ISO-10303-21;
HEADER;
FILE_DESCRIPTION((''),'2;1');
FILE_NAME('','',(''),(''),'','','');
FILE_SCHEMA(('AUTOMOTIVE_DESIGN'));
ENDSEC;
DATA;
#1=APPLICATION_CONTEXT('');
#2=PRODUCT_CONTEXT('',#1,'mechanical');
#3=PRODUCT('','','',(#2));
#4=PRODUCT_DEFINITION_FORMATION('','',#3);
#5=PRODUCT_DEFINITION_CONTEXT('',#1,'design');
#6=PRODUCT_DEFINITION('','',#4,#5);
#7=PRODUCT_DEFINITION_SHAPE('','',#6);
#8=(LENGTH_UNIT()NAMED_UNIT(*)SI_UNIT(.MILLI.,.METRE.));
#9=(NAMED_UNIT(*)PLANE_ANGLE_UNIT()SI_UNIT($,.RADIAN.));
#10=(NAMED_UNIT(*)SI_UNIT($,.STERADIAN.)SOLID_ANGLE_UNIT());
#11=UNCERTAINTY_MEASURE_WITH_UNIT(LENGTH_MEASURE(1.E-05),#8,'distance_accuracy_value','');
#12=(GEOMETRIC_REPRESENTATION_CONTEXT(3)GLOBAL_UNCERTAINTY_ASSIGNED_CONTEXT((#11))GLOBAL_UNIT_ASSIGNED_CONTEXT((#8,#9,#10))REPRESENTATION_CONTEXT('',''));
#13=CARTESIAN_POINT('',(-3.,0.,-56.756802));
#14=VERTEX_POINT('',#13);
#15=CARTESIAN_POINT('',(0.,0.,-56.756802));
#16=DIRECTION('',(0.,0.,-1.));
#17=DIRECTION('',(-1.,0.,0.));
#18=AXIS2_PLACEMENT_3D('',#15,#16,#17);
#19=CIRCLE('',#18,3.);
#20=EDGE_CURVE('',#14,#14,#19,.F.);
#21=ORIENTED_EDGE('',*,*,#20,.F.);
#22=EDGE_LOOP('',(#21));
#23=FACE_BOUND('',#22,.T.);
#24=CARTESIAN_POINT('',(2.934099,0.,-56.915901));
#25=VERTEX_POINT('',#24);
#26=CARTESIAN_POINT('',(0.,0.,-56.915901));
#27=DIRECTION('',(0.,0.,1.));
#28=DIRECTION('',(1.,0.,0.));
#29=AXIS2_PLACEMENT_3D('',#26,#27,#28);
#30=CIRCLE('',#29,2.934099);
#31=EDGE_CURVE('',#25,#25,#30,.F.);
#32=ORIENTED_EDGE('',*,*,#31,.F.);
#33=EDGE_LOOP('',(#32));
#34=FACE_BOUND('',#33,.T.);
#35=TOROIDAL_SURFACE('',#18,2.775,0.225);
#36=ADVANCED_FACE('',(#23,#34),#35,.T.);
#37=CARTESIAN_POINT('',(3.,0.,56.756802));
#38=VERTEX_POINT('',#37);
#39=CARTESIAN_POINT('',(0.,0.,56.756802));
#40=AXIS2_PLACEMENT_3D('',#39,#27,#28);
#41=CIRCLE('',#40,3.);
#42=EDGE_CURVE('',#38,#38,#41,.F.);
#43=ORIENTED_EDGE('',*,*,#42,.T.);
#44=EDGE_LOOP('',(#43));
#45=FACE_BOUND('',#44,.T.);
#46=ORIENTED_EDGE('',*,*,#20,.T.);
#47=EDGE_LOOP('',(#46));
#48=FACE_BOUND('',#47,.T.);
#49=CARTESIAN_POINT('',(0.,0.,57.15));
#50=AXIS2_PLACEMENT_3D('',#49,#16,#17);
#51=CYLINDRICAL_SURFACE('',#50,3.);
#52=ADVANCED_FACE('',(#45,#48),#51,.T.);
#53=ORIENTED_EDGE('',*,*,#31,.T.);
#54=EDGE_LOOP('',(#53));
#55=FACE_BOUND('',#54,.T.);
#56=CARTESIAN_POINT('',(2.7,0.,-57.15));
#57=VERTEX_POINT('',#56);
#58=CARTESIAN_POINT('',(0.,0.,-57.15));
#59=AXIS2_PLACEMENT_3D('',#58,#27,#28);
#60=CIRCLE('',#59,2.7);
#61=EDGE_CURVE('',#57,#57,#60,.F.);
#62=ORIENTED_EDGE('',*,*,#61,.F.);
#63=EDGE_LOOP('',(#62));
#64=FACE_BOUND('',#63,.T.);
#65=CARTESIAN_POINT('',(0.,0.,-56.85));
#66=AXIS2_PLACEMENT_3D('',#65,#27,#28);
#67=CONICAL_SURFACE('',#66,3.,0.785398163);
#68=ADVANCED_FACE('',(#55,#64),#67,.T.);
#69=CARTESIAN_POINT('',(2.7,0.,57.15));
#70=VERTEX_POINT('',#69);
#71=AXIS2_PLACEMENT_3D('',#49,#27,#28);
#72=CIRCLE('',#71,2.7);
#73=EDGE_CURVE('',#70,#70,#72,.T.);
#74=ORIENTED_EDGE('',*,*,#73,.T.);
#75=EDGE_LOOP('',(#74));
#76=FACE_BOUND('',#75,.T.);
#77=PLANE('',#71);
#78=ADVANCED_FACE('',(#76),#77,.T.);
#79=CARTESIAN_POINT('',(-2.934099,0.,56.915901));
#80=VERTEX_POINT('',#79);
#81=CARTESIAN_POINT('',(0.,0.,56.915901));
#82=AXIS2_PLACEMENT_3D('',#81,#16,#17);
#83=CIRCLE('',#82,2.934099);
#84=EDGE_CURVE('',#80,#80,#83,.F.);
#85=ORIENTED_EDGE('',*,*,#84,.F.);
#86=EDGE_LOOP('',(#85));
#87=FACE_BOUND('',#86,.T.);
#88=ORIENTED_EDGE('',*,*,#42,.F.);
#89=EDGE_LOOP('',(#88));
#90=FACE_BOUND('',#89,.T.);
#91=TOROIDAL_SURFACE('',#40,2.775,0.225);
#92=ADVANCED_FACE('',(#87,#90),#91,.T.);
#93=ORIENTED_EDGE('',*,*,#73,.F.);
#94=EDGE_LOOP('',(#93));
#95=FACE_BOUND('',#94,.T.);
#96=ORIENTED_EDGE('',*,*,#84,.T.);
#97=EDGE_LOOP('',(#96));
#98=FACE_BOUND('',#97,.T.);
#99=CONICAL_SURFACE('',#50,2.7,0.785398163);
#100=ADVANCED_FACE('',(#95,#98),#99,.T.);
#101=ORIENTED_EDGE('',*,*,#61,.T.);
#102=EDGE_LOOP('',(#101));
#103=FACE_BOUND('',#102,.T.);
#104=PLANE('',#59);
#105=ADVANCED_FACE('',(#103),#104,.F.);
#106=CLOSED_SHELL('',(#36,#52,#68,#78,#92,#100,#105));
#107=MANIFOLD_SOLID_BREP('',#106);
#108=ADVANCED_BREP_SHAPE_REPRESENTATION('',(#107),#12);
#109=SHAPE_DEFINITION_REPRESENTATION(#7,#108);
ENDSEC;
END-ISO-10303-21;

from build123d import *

# Parameters (mm, degrees)
SKETCH3_R           = 3
BOSS_EXTRUDE1_DEPTH = 57.15
CHAMFER1_SIZE       = 0.3
FILLET2_R           = 0.225


with BuildPart() as part:
    # Sketch3 → Boss-Extrude1 (new, symmetric)
    with BuildSketch(Plane.XY):
        Circle(SKETCH3_R)
    extrude(amount=BOSS_EXTRUDE1_DEPTH, both=True)

    # Chamfer1
    chamfer1_edges = [part.edges().sort_by_distance(p)[0] for p in [
        (-3, 0, -57.15),
        (-3, 0, 57.15),
    ]]
    chamfer(chamfer1_edges, length=CHAMFER1_SIZE)

    # Fillet2
    fillet2_edges = [part.edges().sort_by_distance(p)[0] for p in [
        (-3, 0, -56.85),
        (-3, 0, 56.85),
    ]]
    fillet(fillet2_edges, radius=FILLET2_R)


solid = part.part
